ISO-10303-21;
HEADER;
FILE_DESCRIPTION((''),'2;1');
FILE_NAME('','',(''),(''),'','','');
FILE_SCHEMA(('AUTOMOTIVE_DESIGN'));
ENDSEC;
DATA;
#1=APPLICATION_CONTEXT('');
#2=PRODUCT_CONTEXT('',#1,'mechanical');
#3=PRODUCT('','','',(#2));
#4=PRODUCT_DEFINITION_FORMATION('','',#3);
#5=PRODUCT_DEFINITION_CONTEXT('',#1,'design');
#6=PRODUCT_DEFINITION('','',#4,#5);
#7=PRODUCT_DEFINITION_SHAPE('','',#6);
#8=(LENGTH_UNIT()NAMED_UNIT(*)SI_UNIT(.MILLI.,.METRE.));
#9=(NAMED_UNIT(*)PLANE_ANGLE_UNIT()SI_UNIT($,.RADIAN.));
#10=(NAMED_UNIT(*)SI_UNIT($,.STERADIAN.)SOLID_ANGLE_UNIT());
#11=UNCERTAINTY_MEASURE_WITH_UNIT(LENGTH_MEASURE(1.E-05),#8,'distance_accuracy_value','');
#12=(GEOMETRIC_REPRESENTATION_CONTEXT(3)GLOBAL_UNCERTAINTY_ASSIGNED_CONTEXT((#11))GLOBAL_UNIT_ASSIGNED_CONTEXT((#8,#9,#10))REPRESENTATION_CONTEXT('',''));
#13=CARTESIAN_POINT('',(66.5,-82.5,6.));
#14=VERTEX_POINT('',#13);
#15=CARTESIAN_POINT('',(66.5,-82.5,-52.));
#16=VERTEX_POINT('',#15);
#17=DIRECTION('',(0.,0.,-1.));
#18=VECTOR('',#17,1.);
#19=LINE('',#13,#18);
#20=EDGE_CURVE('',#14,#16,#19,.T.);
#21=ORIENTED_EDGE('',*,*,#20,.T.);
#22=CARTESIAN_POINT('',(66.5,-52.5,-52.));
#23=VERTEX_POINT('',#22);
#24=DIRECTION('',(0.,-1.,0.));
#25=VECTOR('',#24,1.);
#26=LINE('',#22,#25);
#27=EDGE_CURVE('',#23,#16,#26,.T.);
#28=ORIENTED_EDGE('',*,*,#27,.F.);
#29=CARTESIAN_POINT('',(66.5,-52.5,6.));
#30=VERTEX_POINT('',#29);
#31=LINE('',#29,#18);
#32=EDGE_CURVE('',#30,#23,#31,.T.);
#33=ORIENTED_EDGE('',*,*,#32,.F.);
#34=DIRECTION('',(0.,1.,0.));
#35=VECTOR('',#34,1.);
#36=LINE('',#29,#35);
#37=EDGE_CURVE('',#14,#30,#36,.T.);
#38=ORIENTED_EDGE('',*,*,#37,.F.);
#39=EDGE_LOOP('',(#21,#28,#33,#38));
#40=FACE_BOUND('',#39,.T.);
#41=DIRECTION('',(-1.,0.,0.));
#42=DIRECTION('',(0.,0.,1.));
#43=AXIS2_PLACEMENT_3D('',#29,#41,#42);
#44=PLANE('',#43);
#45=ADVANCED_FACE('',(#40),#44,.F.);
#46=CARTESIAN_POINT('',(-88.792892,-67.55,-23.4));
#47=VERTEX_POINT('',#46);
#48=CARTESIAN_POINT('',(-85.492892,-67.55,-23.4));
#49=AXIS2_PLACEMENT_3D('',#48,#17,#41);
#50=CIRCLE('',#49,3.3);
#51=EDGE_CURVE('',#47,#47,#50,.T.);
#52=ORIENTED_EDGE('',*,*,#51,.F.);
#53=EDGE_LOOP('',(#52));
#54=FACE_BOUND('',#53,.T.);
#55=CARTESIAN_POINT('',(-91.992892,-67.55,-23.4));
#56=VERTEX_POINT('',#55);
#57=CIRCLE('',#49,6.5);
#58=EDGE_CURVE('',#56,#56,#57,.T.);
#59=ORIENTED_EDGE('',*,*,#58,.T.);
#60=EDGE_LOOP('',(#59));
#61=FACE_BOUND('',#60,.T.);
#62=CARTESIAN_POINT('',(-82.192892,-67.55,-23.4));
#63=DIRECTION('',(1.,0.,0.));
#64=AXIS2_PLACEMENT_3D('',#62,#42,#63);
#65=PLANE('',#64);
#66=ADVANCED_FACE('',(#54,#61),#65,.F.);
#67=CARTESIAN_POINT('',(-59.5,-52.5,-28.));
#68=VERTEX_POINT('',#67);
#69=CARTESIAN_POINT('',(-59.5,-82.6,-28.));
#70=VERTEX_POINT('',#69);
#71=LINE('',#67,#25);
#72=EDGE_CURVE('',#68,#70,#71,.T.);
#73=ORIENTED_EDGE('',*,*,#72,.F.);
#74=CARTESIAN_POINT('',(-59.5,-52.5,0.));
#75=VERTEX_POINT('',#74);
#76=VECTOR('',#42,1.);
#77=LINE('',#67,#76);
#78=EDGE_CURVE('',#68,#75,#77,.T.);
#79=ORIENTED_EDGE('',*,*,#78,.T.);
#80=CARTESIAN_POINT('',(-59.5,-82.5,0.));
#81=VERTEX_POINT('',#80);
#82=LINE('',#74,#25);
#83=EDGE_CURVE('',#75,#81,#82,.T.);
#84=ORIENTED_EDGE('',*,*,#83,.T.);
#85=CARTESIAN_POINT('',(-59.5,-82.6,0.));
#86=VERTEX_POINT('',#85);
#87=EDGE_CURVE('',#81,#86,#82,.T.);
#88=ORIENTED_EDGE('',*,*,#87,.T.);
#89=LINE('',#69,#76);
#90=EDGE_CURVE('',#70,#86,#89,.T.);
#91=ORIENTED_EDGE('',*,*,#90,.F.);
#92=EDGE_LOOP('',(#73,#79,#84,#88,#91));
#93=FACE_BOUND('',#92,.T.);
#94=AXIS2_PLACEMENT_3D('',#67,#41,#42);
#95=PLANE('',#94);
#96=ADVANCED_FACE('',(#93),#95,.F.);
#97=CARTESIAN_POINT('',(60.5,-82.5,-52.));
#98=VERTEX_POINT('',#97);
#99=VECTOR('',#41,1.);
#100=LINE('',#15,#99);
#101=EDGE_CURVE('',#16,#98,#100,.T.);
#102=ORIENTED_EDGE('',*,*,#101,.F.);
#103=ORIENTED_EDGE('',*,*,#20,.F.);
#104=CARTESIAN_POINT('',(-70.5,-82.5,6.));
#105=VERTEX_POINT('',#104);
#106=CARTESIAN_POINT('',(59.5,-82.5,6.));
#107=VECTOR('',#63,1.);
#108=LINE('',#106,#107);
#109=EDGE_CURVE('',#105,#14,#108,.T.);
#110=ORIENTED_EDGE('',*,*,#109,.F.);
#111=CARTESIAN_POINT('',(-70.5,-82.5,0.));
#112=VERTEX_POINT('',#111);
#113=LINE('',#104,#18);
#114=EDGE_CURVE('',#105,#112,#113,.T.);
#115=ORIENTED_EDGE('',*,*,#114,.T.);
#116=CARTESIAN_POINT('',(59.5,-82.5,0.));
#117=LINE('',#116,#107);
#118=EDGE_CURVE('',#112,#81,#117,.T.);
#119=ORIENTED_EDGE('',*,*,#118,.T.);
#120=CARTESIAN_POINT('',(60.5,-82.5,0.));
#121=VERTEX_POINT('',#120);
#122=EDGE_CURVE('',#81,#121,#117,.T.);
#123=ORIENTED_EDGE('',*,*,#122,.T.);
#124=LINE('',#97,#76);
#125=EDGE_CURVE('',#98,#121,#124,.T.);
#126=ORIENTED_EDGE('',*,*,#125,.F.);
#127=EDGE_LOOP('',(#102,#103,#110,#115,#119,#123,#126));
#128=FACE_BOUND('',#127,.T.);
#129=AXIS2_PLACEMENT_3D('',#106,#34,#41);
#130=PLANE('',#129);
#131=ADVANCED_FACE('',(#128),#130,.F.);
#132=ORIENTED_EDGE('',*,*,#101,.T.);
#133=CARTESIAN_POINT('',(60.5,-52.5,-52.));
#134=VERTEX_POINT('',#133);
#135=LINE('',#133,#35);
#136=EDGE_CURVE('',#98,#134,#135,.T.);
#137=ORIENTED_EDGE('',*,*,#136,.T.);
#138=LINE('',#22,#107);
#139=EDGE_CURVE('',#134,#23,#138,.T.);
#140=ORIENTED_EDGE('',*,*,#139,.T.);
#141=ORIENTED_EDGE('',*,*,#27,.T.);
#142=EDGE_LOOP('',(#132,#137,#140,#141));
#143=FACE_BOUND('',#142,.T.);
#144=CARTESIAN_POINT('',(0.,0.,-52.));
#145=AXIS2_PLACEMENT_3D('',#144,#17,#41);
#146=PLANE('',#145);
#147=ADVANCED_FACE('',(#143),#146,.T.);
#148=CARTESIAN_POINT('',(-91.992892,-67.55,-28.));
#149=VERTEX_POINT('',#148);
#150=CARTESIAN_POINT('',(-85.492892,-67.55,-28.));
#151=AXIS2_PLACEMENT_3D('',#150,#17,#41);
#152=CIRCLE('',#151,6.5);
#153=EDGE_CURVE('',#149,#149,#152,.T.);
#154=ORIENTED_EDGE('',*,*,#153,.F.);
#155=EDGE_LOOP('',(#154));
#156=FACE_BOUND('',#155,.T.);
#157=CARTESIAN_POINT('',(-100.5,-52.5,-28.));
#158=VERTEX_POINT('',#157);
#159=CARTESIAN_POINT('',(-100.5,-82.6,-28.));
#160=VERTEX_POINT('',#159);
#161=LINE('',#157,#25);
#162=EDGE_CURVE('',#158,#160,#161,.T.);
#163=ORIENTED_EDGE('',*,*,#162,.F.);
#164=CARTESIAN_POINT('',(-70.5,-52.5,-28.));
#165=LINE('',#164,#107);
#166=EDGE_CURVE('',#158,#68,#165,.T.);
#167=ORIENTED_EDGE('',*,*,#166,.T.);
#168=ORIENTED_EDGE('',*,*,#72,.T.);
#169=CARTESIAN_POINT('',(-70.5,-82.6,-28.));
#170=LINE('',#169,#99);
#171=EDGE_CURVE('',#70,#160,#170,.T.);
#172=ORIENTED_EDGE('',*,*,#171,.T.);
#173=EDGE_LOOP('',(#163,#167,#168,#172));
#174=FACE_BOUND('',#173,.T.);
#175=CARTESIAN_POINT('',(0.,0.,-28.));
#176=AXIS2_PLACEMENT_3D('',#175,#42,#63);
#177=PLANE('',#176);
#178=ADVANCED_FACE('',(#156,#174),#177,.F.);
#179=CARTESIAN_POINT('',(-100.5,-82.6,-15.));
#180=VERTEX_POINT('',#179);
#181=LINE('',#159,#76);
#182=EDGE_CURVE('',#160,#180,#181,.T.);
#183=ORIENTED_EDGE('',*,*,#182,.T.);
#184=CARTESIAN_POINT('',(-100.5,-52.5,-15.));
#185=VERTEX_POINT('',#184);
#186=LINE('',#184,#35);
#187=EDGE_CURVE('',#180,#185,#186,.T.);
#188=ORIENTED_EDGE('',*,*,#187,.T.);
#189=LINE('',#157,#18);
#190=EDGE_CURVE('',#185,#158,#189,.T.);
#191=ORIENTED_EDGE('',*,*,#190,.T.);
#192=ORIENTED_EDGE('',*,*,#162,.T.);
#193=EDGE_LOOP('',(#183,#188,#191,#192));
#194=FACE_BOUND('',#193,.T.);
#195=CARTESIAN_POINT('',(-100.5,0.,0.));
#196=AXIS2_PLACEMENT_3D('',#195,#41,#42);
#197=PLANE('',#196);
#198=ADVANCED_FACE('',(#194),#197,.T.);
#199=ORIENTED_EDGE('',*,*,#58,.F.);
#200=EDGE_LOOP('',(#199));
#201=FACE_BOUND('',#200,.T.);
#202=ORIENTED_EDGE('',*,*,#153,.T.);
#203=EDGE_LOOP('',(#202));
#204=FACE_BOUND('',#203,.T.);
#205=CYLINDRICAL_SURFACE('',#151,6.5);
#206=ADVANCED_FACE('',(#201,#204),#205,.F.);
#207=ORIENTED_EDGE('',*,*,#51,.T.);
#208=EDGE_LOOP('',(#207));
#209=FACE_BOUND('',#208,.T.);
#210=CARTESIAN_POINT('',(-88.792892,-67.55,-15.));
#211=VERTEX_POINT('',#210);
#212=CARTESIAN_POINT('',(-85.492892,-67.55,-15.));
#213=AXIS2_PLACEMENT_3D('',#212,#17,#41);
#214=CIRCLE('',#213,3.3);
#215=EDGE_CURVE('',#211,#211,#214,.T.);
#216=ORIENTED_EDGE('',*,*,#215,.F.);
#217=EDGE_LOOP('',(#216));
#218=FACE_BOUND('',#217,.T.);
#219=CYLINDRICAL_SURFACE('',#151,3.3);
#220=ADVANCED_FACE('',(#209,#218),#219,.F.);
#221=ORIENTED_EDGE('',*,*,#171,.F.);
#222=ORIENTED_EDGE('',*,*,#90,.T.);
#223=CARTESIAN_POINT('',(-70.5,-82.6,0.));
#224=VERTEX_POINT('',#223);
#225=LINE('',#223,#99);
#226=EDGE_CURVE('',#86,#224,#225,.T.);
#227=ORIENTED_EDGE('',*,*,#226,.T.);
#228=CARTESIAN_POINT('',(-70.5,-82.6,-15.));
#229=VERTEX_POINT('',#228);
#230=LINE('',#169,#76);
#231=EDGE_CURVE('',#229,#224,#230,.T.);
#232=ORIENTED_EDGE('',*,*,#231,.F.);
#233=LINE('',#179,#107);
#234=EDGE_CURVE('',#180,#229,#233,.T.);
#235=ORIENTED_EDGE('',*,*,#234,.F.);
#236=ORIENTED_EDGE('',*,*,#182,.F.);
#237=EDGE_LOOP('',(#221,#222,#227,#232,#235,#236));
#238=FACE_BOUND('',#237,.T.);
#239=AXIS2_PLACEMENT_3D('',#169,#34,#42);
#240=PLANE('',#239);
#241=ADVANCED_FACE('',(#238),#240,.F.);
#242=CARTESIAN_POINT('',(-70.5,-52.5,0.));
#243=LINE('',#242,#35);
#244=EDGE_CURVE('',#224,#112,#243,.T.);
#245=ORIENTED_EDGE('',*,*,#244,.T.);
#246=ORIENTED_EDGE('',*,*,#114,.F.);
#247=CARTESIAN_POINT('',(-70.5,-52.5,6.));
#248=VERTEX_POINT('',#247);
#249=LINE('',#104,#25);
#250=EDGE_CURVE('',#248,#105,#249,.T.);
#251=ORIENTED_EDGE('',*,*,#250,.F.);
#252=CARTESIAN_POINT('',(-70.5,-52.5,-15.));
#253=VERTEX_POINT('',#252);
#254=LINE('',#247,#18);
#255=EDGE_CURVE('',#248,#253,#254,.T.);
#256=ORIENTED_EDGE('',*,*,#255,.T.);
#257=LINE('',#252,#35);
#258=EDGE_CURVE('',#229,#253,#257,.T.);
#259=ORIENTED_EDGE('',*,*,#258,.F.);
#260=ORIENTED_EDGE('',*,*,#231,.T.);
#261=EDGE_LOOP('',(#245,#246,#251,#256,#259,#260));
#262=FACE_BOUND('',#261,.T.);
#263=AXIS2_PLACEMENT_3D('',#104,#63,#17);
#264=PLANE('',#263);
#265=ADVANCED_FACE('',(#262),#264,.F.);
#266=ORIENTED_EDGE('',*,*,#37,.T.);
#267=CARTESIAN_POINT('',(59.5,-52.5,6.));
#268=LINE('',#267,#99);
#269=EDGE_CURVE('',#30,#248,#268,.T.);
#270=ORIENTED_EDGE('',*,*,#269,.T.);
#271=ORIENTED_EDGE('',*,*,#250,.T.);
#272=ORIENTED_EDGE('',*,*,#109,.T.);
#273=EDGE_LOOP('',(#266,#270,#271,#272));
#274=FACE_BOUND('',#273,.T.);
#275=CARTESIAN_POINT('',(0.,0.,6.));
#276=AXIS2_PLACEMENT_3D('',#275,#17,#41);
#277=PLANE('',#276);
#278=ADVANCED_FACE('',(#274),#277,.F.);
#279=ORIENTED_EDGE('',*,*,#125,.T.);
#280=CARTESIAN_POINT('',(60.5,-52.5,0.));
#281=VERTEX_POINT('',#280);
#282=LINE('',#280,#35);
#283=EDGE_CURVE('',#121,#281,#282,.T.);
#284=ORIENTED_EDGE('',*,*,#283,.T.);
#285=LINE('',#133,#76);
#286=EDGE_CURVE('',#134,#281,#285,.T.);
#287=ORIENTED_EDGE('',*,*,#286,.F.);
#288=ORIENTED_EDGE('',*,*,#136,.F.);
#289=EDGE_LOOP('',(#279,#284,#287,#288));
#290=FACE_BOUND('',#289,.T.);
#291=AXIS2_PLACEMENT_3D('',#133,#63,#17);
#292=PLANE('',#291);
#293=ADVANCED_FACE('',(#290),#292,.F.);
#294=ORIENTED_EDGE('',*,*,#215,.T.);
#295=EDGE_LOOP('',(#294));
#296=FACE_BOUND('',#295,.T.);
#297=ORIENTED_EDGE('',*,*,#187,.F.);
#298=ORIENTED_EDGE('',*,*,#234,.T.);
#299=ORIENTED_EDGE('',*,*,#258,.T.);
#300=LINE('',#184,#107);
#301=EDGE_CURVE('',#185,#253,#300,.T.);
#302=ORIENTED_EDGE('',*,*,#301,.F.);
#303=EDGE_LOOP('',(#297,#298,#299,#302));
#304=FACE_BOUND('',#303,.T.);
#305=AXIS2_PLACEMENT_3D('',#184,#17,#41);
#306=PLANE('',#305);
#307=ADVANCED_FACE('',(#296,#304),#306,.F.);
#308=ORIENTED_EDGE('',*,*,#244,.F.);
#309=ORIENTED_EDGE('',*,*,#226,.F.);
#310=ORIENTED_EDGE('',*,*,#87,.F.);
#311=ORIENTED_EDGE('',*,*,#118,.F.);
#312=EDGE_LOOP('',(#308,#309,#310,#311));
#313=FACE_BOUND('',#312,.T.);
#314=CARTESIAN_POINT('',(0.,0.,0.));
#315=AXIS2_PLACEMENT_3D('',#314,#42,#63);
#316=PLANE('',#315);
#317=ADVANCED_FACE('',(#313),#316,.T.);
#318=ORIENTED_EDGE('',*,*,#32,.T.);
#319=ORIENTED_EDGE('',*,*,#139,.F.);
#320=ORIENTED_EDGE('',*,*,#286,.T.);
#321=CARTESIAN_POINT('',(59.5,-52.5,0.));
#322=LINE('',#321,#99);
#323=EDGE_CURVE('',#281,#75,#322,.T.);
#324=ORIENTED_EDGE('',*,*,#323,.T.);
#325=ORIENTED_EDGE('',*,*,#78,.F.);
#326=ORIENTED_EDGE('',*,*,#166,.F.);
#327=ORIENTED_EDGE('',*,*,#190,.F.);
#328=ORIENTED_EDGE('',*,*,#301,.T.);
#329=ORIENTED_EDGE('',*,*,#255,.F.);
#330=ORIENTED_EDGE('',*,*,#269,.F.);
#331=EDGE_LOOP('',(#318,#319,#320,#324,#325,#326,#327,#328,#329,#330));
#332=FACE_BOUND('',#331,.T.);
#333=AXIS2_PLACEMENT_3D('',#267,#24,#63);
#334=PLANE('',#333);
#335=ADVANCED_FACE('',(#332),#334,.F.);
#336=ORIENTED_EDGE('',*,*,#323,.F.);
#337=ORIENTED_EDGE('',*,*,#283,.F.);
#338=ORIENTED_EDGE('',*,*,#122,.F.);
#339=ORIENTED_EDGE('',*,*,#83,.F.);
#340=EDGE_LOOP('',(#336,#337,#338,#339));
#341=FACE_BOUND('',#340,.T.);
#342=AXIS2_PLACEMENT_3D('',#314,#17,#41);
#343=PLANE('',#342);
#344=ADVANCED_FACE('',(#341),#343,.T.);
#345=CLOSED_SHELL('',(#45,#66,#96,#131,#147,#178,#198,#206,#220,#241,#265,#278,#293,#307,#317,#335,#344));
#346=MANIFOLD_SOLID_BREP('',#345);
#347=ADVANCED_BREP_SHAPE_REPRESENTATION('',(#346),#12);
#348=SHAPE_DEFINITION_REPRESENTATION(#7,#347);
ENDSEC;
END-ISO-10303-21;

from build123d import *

# Parameters (mm, degrees)
RESSALTO_EXTRUS_O1_DEPTH                             = 6
ESBO_O2_W                                            = 11
ESBO_O2_H                                            = 30.1
RESSALTO_EXTRUS_O2_DEPTH                             = 28
ESBO_O3_W                                            = 13
ESBO_O3_H                                            = 30.1
RESSALTO_EXTRUS_O3_DEPTH                             = 30
REBAIXO_PARA_PARAFUSO_DE_M_QUINA_COM_CAB_D           = 6.6
REBAIXO_PARA_PARAFUSO_DE_M_QUINA_COM_CAB_CBORE_D     = 13
REBAIXO_PARA_PARAFUSO_DE_M_QUINA_COM_CAB_CBORE_DEPTH = 4.6
ESBO_O7_W                                            = 6
ESBO_O7_H                                            = 30
RESSALTO_EXTRUS_O4_DEPTH                             = 52


with BuildPart() as part:
    # Esboço1 → Ressalto-extrusão1 (new body)
    with BuildSketch(Plane.XY):
        Polygon((59.5, -82.5), (-70.5, -82.5), (-70.5, -52.5), (59.5, -52.5), (66.5, -52.5), (66.5, -82.5), align=None)
    extrude(amount=RESSALTO_EXTRUS_O1_DEPTH)

    # Esboço2 → Ressalto-extrusão2 (add)
    with BuildSketch(Plane(origin=(0, 0, 0), x_dir=(-1, 0, 0), z_dir=(0, 0, -1))):
        with Locations((65, -67.55)):
            Rectangle(ESBO_O2_W, ESBO_O2_H)
    extrude(amount=RESSALTO_EXTRUS_O2_DEPTH)

    # Esboço3 → Ressalto-extrusão3 (add)
    with BuildSketch(Plane.ZY.offset(70.5)):
        with Locations((-21.5, -67.55)):
            Rectangle(ESBO_O3_W, ESBO_O3_H)
    extrude(amount=RESSALTO_EXTRUS_O3_DEPTH)

    # Rebaixo para parafuso de máquina com cabeça panela de M61 (through all)
    with Locations(Plane(origin=(-85.492891977, -67.55, -28), x_dir=(-1, 0, 0), z_dir=(0, 0, -1))):
        with Locations((0, 0)):
            CounterBoreHole(REBAIXO_PARA_PARAFUSO_DE_M_QUINA_COM_CAB_D / 2, REBAIXO_PARA_PARAFUSO_DE_M_QUINA_COM_CAB_CBORE_D / 2, REBAIXO_PARA_PARAFUSO_DE_M_QUINA_COM_CAB_CBORE_DEPTH)

    # Esboço7 → Ressalto-extrusão4 (add)
    with BuildSketch(Plane(origin=(0, 0, 0), x_dir=(-1, 0, 0), z_dir=(0, 0, -1))):
        with Locations((-63.5, -67.5)):
            Rectangle(ESBO_O7_W, ESBO_O7_H)
    extrude(amount=RESSALTO_EXTRUS_O4_DEPTH)


solid = part.part
